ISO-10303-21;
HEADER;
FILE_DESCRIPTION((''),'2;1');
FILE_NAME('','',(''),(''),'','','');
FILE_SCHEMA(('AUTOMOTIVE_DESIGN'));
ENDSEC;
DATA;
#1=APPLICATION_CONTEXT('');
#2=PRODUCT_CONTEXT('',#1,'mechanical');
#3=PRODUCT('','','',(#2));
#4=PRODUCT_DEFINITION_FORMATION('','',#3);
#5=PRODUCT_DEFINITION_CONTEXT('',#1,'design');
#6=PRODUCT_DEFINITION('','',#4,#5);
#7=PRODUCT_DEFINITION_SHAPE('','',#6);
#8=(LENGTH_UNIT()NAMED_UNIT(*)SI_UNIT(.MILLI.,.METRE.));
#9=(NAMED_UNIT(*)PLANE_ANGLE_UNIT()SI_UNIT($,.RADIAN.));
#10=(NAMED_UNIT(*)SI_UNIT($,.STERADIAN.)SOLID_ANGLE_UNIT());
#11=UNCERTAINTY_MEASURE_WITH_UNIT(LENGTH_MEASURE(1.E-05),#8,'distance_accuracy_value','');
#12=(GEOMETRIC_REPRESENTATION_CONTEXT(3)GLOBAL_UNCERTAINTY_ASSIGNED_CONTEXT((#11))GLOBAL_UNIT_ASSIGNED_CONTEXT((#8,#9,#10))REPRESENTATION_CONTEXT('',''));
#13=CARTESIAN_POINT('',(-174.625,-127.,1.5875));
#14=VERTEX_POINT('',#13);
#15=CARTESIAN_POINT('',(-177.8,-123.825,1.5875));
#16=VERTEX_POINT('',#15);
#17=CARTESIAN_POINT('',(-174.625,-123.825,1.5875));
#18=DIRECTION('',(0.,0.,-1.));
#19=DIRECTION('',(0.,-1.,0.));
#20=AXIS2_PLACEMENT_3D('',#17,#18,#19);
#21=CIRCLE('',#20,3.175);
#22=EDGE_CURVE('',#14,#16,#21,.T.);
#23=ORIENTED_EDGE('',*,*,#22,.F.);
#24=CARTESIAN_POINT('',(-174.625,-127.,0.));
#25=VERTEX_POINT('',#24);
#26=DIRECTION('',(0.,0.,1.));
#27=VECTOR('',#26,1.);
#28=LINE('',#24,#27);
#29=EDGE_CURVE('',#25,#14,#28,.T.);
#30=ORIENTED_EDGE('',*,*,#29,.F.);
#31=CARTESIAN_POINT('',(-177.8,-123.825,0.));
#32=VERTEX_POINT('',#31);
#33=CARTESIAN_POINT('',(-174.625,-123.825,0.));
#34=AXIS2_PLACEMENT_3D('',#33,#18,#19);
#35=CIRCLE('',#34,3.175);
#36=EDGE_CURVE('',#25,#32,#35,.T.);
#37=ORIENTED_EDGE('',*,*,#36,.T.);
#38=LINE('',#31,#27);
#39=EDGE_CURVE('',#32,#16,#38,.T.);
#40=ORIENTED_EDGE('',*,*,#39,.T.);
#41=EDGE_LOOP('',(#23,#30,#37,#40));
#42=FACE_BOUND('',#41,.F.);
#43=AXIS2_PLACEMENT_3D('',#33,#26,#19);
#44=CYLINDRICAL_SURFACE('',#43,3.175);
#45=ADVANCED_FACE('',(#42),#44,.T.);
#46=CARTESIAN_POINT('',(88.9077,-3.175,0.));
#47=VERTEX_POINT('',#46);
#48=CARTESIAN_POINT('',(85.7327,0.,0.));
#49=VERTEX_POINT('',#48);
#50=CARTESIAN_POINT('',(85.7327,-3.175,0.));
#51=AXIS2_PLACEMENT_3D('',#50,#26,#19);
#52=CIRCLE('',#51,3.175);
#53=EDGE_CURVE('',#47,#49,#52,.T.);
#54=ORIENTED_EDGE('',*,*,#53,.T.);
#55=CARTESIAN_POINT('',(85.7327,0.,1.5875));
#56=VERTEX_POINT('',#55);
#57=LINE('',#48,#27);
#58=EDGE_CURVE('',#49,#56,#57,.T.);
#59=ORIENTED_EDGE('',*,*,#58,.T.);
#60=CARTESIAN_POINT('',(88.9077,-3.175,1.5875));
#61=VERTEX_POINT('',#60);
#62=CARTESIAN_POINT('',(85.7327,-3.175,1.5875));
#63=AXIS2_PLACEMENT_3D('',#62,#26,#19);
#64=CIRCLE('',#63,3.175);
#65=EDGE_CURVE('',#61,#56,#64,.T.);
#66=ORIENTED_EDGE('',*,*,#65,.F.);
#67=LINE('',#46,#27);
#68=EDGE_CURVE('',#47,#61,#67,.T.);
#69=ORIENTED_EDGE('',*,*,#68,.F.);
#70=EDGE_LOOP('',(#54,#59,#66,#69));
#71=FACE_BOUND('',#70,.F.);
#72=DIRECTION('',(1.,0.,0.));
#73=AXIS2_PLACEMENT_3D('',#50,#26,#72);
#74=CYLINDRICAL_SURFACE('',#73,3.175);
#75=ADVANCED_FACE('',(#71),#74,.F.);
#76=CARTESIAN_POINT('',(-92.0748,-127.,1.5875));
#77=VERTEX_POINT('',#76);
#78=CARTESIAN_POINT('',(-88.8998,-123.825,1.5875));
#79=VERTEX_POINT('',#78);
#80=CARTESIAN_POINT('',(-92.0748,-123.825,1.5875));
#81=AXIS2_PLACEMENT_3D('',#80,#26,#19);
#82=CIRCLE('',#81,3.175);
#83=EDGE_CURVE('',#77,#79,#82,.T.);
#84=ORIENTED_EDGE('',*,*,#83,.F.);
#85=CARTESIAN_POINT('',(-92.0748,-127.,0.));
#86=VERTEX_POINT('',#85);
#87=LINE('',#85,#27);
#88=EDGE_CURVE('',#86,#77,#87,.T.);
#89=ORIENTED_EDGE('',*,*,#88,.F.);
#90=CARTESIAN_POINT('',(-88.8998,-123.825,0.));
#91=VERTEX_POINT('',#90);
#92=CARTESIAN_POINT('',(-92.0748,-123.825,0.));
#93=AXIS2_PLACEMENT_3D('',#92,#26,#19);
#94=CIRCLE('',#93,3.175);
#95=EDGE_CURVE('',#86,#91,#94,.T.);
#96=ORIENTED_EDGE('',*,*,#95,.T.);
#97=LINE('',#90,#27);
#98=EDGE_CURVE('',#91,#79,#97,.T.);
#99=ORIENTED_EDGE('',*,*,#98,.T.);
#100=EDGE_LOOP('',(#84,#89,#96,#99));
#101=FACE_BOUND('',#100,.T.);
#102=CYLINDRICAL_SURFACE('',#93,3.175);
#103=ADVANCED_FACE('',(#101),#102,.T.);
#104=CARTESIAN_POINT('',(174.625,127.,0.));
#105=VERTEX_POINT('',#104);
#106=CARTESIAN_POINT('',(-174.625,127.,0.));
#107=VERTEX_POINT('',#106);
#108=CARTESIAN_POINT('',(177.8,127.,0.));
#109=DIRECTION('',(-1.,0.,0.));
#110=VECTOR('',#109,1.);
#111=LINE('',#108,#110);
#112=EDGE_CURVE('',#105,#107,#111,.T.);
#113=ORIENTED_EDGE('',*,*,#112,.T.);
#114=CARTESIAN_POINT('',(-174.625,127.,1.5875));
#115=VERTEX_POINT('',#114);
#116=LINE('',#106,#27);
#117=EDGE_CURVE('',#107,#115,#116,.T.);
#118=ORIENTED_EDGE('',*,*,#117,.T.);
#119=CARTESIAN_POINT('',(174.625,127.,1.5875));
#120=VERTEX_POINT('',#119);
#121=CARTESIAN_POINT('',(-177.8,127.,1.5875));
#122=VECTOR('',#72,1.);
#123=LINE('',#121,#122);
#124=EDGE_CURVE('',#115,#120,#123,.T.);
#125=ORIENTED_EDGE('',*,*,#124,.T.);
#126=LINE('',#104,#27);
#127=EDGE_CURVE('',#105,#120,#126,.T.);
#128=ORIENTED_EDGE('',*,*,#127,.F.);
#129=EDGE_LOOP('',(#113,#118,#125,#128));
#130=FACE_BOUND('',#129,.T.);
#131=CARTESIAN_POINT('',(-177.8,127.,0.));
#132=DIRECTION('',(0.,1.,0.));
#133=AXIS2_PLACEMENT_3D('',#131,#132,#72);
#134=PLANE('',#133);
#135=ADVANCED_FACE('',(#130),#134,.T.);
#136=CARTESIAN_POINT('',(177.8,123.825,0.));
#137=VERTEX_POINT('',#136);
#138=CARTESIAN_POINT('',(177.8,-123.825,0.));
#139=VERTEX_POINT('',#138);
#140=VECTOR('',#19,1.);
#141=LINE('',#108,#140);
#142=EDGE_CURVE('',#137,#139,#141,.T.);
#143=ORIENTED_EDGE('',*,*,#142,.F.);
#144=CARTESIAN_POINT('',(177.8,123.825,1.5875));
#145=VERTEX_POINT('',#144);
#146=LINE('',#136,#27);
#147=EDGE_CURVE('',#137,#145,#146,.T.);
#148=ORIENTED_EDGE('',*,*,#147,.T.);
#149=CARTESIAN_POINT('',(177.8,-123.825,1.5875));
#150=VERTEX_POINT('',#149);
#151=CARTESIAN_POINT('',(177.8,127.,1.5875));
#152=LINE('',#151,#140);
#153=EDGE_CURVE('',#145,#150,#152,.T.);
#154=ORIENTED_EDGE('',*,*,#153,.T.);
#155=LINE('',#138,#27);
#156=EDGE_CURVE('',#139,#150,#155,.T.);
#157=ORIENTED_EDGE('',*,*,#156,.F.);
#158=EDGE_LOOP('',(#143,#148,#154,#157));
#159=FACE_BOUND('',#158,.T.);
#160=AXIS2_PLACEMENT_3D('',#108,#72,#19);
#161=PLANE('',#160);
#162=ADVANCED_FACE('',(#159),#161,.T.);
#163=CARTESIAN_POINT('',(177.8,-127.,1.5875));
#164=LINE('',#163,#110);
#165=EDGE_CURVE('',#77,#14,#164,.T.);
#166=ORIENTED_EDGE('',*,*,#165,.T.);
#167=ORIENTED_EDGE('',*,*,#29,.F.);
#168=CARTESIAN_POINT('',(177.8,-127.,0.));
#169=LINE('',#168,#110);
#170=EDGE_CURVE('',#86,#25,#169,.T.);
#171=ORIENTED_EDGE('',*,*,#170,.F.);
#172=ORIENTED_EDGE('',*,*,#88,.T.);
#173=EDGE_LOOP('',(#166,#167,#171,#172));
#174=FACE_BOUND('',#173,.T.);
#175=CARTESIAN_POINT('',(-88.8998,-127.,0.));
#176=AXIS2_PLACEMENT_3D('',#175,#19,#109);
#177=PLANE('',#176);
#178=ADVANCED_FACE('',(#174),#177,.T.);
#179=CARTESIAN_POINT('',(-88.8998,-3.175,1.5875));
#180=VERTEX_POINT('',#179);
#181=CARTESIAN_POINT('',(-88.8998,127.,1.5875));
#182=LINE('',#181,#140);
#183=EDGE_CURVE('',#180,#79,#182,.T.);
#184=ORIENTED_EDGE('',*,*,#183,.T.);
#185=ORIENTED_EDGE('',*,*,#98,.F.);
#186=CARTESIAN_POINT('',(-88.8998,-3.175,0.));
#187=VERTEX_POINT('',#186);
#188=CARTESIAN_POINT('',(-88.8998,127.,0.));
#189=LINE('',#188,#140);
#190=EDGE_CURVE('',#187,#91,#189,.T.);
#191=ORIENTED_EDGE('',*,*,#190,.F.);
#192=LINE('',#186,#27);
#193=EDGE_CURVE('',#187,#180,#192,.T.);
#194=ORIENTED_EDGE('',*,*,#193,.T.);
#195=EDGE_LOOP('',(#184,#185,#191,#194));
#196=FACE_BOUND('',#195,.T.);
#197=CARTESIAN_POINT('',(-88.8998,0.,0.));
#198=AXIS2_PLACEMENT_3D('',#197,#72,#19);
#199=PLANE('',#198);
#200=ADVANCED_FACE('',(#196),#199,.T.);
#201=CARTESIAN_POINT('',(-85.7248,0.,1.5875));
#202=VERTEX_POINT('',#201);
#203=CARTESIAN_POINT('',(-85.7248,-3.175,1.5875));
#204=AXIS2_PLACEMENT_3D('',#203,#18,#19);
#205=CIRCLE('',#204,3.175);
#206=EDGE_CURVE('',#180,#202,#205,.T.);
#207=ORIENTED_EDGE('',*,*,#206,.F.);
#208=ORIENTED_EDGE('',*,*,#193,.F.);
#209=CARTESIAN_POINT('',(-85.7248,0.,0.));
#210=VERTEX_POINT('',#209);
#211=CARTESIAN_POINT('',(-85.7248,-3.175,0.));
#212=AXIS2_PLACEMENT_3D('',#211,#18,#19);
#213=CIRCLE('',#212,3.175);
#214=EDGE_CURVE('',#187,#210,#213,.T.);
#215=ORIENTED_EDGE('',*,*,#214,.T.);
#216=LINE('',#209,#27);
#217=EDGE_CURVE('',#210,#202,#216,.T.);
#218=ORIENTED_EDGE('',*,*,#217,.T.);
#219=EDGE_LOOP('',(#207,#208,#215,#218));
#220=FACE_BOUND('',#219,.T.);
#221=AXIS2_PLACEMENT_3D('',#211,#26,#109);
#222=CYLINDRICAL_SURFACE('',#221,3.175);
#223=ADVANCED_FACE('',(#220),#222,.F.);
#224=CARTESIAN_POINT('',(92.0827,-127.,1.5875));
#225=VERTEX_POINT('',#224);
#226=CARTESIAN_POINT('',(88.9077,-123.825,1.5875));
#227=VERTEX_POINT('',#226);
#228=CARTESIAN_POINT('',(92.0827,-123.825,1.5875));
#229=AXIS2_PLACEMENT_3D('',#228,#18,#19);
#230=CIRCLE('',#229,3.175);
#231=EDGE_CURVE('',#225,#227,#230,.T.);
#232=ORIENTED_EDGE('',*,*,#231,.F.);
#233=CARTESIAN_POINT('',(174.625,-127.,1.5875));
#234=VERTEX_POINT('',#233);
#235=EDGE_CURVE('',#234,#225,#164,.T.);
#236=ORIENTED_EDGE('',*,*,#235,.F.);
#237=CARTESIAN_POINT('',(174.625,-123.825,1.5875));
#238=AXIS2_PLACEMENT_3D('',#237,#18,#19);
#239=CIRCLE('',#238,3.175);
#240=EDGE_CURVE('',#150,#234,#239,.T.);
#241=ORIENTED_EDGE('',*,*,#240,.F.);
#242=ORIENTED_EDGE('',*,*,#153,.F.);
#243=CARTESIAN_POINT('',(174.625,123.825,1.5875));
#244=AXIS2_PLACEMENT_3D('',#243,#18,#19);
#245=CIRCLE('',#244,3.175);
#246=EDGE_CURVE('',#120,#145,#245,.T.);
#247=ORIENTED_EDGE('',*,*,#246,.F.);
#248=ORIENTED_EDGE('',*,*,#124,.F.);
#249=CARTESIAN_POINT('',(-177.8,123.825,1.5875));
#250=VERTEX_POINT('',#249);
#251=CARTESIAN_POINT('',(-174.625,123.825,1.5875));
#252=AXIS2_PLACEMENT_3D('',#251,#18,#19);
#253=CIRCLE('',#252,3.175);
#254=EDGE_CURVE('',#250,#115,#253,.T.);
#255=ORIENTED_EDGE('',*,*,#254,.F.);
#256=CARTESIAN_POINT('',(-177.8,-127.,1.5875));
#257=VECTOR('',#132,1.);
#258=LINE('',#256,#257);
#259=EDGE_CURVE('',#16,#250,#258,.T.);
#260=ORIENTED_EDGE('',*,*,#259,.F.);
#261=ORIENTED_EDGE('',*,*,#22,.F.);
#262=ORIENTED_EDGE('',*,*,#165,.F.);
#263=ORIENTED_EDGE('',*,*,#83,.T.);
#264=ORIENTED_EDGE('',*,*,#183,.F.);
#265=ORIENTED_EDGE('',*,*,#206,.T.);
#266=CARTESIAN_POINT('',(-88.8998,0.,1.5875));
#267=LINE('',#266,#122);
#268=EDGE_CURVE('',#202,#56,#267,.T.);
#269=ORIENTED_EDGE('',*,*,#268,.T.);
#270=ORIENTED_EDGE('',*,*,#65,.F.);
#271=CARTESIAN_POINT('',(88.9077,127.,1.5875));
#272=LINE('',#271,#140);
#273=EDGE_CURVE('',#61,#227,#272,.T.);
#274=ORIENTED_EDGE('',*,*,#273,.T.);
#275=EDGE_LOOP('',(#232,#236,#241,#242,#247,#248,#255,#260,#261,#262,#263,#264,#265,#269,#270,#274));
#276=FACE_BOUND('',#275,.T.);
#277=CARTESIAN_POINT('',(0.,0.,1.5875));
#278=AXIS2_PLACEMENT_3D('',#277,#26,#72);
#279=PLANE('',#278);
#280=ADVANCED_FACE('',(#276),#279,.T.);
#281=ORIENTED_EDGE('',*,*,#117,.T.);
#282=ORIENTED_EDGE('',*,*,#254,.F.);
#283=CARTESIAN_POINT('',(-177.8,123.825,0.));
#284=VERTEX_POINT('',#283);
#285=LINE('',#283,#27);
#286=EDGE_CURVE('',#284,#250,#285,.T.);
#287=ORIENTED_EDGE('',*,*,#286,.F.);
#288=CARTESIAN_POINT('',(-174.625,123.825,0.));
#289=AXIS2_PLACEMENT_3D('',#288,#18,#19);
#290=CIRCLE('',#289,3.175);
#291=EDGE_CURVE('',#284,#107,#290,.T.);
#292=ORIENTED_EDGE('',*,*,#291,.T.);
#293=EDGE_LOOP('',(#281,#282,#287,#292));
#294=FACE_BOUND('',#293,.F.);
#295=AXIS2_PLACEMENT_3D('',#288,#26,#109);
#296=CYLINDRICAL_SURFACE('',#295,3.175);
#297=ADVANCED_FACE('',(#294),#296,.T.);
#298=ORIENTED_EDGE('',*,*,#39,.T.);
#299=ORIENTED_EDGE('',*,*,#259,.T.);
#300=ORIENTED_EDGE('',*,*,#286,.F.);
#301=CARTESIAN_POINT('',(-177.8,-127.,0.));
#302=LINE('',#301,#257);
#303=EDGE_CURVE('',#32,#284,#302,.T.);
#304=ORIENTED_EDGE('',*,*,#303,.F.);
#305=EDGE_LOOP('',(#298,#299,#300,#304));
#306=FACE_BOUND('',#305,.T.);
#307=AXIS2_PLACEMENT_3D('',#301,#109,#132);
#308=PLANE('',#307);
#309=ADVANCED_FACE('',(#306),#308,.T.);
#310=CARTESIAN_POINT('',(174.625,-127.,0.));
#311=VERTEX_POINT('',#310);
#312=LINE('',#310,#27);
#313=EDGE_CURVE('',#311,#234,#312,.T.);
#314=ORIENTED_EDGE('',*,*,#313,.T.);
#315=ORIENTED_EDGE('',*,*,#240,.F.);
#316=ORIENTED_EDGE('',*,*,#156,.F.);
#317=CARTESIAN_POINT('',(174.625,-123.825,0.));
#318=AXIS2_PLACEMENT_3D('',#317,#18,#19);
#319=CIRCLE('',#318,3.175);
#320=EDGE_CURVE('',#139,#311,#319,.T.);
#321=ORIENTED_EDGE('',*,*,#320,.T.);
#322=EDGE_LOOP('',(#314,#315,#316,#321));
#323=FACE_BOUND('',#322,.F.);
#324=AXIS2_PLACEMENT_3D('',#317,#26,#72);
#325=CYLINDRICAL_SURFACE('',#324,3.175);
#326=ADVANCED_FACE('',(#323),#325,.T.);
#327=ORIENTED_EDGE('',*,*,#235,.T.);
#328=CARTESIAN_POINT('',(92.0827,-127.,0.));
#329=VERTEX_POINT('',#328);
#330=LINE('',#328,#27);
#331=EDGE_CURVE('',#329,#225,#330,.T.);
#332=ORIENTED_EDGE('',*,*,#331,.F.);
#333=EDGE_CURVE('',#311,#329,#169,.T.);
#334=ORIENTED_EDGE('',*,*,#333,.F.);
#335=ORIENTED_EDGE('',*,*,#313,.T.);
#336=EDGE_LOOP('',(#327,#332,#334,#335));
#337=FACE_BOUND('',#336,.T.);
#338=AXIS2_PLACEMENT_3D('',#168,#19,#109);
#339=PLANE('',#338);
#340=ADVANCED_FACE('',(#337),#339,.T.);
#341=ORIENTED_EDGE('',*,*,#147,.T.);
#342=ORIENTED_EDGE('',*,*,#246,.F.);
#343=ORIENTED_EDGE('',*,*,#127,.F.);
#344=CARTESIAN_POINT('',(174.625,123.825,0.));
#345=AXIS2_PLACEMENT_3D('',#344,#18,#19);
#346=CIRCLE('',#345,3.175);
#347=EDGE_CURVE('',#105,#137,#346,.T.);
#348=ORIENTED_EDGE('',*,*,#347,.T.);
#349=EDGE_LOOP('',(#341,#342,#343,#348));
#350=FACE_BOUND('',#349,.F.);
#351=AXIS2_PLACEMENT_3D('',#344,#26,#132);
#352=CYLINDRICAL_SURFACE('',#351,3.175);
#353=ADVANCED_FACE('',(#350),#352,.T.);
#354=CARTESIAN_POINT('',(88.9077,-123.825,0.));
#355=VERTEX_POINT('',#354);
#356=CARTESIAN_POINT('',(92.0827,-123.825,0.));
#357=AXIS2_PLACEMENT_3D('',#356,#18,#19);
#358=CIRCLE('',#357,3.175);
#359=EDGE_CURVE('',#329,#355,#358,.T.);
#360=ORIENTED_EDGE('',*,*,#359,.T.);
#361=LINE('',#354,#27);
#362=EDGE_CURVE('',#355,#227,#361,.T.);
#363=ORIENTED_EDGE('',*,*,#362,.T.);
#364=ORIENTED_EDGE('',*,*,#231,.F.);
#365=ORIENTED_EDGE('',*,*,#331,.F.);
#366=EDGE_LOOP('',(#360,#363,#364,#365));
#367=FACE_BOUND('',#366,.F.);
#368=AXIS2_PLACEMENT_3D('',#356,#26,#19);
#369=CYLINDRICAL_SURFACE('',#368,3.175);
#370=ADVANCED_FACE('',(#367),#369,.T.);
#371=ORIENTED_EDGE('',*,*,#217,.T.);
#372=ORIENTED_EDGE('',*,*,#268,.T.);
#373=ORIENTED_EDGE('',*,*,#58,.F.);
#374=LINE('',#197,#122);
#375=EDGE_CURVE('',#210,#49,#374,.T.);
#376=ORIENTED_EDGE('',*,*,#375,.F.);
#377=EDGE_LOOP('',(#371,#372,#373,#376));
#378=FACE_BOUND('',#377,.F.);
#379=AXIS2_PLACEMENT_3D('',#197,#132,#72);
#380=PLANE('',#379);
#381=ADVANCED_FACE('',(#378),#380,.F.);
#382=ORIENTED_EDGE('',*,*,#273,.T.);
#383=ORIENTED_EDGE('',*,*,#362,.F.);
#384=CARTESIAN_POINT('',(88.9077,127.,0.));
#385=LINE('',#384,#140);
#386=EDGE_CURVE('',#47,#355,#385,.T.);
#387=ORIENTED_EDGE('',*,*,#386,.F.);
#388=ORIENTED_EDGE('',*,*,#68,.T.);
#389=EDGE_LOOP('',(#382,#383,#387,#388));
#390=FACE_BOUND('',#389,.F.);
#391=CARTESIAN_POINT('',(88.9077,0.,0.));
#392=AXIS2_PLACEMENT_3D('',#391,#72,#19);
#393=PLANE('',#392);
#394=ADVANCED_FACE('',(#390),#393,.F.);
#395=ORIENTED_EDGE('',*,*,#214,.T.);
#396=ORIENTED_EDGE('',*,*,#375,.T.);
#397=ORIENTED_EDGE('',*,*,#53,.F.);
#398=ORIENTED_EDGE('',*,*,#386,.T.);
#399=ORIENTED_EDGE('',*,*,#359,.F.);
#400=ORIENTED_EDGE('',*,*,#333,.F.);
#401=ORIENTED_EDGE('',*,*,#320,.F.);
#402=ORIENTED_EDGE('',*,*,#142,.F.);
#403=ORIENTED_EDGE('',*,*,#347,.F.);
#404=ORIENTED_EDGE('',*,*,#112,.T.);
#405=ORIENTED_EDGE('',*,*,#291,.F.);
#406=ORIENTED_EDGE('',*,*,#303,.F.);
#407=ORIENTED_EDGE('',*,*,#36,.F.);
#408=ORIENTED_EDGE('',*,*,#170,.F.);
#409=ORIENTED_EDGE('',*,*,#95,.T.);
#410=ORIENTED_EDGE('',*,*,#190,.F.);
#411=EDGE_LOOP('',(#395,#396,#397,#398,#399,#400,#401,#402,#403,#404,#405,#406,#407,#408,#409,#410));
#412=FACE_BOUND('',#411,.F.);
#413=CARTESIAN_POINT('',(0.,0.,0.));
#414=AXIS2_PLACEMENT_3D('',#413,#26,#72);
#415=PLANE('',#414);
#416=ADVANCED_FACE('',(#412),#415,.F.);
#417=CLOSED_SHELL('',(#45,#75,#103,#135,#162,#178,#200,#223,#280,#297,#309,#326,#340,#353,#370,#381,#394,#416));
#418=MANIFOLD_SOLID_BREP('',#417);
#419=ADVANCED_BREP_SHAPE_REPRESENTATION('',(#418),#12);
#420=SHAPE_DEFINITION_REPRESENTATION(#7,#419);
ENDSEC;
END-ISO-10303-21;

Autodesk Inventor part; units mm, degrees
ref_plane "YZ Plane" through (0, 0, 0) normal (1, 0, 0) x (0, 1, 0)
ref_plane "XZ Plane" through (0, 0, 0) normal (0, 1, 0) x (-1, 0, 0)
ref_plane "XY Plane" through (0, 0, 0) normal (0, 0, 1) x (1, 0, 0)
sketch "Sketch1" plane through (0, 0, 0) normal (0, 0, 1) x (1, 0, 0)
  line L0 (-177.8, 127) -> (177.8, 127)
  line L1 (177.8, 127) -> (177.8, -127)
  line L2 (177.8, -127) -> (-177.8, -127)
  line L3 (-177.8, -127) -> (-177.8, 127)
  line L4 (-88.8998, 127) -> (-88.8998, -127)
  line L5 (88.9077, 127) -> (88.9077, -127)
  line L6 (-88.8998, 0) -> (88.9077, 0)
  point P0 (0, 0)
  dimension "d0" = 355.6
  dimension "d1" = 254
extrude "Extrusion1" add sketch "Sketch1" along normal blind 1.5875 contours L0 L4 L2 L3 | L0 L5 L6 L4 | L0 L1 L2 L5
fillet "Fillet1" radius 3.175 1 edges at (177.8, 127, 0.7937)
fillet "Fillet2" radius 3.175 1 edges at (177.8, -127, 0.7937)
fillet "Fillet3" radius 3.175 1 edges at (-88.8998, -127, 0.7937)
fillet "Fillet4" radius 3.175 1 edges at (-88.8998, 0, 0.7937)
fillet "Fillet5" radius 3.175 1 edges at (-177.8, -127, 0.7937)
fillet "Fillet6" radius 3.175 1 edges at (-177.8, 127, 0.7937)
fillet "Fillet7" radius 3.175 1 edges at (88.9077, -127, 0.7937)
fillet "Fillet8" radius 3.175 1 edges at (88.9077, 0, 0.7937)
properties part number "Blocker"
